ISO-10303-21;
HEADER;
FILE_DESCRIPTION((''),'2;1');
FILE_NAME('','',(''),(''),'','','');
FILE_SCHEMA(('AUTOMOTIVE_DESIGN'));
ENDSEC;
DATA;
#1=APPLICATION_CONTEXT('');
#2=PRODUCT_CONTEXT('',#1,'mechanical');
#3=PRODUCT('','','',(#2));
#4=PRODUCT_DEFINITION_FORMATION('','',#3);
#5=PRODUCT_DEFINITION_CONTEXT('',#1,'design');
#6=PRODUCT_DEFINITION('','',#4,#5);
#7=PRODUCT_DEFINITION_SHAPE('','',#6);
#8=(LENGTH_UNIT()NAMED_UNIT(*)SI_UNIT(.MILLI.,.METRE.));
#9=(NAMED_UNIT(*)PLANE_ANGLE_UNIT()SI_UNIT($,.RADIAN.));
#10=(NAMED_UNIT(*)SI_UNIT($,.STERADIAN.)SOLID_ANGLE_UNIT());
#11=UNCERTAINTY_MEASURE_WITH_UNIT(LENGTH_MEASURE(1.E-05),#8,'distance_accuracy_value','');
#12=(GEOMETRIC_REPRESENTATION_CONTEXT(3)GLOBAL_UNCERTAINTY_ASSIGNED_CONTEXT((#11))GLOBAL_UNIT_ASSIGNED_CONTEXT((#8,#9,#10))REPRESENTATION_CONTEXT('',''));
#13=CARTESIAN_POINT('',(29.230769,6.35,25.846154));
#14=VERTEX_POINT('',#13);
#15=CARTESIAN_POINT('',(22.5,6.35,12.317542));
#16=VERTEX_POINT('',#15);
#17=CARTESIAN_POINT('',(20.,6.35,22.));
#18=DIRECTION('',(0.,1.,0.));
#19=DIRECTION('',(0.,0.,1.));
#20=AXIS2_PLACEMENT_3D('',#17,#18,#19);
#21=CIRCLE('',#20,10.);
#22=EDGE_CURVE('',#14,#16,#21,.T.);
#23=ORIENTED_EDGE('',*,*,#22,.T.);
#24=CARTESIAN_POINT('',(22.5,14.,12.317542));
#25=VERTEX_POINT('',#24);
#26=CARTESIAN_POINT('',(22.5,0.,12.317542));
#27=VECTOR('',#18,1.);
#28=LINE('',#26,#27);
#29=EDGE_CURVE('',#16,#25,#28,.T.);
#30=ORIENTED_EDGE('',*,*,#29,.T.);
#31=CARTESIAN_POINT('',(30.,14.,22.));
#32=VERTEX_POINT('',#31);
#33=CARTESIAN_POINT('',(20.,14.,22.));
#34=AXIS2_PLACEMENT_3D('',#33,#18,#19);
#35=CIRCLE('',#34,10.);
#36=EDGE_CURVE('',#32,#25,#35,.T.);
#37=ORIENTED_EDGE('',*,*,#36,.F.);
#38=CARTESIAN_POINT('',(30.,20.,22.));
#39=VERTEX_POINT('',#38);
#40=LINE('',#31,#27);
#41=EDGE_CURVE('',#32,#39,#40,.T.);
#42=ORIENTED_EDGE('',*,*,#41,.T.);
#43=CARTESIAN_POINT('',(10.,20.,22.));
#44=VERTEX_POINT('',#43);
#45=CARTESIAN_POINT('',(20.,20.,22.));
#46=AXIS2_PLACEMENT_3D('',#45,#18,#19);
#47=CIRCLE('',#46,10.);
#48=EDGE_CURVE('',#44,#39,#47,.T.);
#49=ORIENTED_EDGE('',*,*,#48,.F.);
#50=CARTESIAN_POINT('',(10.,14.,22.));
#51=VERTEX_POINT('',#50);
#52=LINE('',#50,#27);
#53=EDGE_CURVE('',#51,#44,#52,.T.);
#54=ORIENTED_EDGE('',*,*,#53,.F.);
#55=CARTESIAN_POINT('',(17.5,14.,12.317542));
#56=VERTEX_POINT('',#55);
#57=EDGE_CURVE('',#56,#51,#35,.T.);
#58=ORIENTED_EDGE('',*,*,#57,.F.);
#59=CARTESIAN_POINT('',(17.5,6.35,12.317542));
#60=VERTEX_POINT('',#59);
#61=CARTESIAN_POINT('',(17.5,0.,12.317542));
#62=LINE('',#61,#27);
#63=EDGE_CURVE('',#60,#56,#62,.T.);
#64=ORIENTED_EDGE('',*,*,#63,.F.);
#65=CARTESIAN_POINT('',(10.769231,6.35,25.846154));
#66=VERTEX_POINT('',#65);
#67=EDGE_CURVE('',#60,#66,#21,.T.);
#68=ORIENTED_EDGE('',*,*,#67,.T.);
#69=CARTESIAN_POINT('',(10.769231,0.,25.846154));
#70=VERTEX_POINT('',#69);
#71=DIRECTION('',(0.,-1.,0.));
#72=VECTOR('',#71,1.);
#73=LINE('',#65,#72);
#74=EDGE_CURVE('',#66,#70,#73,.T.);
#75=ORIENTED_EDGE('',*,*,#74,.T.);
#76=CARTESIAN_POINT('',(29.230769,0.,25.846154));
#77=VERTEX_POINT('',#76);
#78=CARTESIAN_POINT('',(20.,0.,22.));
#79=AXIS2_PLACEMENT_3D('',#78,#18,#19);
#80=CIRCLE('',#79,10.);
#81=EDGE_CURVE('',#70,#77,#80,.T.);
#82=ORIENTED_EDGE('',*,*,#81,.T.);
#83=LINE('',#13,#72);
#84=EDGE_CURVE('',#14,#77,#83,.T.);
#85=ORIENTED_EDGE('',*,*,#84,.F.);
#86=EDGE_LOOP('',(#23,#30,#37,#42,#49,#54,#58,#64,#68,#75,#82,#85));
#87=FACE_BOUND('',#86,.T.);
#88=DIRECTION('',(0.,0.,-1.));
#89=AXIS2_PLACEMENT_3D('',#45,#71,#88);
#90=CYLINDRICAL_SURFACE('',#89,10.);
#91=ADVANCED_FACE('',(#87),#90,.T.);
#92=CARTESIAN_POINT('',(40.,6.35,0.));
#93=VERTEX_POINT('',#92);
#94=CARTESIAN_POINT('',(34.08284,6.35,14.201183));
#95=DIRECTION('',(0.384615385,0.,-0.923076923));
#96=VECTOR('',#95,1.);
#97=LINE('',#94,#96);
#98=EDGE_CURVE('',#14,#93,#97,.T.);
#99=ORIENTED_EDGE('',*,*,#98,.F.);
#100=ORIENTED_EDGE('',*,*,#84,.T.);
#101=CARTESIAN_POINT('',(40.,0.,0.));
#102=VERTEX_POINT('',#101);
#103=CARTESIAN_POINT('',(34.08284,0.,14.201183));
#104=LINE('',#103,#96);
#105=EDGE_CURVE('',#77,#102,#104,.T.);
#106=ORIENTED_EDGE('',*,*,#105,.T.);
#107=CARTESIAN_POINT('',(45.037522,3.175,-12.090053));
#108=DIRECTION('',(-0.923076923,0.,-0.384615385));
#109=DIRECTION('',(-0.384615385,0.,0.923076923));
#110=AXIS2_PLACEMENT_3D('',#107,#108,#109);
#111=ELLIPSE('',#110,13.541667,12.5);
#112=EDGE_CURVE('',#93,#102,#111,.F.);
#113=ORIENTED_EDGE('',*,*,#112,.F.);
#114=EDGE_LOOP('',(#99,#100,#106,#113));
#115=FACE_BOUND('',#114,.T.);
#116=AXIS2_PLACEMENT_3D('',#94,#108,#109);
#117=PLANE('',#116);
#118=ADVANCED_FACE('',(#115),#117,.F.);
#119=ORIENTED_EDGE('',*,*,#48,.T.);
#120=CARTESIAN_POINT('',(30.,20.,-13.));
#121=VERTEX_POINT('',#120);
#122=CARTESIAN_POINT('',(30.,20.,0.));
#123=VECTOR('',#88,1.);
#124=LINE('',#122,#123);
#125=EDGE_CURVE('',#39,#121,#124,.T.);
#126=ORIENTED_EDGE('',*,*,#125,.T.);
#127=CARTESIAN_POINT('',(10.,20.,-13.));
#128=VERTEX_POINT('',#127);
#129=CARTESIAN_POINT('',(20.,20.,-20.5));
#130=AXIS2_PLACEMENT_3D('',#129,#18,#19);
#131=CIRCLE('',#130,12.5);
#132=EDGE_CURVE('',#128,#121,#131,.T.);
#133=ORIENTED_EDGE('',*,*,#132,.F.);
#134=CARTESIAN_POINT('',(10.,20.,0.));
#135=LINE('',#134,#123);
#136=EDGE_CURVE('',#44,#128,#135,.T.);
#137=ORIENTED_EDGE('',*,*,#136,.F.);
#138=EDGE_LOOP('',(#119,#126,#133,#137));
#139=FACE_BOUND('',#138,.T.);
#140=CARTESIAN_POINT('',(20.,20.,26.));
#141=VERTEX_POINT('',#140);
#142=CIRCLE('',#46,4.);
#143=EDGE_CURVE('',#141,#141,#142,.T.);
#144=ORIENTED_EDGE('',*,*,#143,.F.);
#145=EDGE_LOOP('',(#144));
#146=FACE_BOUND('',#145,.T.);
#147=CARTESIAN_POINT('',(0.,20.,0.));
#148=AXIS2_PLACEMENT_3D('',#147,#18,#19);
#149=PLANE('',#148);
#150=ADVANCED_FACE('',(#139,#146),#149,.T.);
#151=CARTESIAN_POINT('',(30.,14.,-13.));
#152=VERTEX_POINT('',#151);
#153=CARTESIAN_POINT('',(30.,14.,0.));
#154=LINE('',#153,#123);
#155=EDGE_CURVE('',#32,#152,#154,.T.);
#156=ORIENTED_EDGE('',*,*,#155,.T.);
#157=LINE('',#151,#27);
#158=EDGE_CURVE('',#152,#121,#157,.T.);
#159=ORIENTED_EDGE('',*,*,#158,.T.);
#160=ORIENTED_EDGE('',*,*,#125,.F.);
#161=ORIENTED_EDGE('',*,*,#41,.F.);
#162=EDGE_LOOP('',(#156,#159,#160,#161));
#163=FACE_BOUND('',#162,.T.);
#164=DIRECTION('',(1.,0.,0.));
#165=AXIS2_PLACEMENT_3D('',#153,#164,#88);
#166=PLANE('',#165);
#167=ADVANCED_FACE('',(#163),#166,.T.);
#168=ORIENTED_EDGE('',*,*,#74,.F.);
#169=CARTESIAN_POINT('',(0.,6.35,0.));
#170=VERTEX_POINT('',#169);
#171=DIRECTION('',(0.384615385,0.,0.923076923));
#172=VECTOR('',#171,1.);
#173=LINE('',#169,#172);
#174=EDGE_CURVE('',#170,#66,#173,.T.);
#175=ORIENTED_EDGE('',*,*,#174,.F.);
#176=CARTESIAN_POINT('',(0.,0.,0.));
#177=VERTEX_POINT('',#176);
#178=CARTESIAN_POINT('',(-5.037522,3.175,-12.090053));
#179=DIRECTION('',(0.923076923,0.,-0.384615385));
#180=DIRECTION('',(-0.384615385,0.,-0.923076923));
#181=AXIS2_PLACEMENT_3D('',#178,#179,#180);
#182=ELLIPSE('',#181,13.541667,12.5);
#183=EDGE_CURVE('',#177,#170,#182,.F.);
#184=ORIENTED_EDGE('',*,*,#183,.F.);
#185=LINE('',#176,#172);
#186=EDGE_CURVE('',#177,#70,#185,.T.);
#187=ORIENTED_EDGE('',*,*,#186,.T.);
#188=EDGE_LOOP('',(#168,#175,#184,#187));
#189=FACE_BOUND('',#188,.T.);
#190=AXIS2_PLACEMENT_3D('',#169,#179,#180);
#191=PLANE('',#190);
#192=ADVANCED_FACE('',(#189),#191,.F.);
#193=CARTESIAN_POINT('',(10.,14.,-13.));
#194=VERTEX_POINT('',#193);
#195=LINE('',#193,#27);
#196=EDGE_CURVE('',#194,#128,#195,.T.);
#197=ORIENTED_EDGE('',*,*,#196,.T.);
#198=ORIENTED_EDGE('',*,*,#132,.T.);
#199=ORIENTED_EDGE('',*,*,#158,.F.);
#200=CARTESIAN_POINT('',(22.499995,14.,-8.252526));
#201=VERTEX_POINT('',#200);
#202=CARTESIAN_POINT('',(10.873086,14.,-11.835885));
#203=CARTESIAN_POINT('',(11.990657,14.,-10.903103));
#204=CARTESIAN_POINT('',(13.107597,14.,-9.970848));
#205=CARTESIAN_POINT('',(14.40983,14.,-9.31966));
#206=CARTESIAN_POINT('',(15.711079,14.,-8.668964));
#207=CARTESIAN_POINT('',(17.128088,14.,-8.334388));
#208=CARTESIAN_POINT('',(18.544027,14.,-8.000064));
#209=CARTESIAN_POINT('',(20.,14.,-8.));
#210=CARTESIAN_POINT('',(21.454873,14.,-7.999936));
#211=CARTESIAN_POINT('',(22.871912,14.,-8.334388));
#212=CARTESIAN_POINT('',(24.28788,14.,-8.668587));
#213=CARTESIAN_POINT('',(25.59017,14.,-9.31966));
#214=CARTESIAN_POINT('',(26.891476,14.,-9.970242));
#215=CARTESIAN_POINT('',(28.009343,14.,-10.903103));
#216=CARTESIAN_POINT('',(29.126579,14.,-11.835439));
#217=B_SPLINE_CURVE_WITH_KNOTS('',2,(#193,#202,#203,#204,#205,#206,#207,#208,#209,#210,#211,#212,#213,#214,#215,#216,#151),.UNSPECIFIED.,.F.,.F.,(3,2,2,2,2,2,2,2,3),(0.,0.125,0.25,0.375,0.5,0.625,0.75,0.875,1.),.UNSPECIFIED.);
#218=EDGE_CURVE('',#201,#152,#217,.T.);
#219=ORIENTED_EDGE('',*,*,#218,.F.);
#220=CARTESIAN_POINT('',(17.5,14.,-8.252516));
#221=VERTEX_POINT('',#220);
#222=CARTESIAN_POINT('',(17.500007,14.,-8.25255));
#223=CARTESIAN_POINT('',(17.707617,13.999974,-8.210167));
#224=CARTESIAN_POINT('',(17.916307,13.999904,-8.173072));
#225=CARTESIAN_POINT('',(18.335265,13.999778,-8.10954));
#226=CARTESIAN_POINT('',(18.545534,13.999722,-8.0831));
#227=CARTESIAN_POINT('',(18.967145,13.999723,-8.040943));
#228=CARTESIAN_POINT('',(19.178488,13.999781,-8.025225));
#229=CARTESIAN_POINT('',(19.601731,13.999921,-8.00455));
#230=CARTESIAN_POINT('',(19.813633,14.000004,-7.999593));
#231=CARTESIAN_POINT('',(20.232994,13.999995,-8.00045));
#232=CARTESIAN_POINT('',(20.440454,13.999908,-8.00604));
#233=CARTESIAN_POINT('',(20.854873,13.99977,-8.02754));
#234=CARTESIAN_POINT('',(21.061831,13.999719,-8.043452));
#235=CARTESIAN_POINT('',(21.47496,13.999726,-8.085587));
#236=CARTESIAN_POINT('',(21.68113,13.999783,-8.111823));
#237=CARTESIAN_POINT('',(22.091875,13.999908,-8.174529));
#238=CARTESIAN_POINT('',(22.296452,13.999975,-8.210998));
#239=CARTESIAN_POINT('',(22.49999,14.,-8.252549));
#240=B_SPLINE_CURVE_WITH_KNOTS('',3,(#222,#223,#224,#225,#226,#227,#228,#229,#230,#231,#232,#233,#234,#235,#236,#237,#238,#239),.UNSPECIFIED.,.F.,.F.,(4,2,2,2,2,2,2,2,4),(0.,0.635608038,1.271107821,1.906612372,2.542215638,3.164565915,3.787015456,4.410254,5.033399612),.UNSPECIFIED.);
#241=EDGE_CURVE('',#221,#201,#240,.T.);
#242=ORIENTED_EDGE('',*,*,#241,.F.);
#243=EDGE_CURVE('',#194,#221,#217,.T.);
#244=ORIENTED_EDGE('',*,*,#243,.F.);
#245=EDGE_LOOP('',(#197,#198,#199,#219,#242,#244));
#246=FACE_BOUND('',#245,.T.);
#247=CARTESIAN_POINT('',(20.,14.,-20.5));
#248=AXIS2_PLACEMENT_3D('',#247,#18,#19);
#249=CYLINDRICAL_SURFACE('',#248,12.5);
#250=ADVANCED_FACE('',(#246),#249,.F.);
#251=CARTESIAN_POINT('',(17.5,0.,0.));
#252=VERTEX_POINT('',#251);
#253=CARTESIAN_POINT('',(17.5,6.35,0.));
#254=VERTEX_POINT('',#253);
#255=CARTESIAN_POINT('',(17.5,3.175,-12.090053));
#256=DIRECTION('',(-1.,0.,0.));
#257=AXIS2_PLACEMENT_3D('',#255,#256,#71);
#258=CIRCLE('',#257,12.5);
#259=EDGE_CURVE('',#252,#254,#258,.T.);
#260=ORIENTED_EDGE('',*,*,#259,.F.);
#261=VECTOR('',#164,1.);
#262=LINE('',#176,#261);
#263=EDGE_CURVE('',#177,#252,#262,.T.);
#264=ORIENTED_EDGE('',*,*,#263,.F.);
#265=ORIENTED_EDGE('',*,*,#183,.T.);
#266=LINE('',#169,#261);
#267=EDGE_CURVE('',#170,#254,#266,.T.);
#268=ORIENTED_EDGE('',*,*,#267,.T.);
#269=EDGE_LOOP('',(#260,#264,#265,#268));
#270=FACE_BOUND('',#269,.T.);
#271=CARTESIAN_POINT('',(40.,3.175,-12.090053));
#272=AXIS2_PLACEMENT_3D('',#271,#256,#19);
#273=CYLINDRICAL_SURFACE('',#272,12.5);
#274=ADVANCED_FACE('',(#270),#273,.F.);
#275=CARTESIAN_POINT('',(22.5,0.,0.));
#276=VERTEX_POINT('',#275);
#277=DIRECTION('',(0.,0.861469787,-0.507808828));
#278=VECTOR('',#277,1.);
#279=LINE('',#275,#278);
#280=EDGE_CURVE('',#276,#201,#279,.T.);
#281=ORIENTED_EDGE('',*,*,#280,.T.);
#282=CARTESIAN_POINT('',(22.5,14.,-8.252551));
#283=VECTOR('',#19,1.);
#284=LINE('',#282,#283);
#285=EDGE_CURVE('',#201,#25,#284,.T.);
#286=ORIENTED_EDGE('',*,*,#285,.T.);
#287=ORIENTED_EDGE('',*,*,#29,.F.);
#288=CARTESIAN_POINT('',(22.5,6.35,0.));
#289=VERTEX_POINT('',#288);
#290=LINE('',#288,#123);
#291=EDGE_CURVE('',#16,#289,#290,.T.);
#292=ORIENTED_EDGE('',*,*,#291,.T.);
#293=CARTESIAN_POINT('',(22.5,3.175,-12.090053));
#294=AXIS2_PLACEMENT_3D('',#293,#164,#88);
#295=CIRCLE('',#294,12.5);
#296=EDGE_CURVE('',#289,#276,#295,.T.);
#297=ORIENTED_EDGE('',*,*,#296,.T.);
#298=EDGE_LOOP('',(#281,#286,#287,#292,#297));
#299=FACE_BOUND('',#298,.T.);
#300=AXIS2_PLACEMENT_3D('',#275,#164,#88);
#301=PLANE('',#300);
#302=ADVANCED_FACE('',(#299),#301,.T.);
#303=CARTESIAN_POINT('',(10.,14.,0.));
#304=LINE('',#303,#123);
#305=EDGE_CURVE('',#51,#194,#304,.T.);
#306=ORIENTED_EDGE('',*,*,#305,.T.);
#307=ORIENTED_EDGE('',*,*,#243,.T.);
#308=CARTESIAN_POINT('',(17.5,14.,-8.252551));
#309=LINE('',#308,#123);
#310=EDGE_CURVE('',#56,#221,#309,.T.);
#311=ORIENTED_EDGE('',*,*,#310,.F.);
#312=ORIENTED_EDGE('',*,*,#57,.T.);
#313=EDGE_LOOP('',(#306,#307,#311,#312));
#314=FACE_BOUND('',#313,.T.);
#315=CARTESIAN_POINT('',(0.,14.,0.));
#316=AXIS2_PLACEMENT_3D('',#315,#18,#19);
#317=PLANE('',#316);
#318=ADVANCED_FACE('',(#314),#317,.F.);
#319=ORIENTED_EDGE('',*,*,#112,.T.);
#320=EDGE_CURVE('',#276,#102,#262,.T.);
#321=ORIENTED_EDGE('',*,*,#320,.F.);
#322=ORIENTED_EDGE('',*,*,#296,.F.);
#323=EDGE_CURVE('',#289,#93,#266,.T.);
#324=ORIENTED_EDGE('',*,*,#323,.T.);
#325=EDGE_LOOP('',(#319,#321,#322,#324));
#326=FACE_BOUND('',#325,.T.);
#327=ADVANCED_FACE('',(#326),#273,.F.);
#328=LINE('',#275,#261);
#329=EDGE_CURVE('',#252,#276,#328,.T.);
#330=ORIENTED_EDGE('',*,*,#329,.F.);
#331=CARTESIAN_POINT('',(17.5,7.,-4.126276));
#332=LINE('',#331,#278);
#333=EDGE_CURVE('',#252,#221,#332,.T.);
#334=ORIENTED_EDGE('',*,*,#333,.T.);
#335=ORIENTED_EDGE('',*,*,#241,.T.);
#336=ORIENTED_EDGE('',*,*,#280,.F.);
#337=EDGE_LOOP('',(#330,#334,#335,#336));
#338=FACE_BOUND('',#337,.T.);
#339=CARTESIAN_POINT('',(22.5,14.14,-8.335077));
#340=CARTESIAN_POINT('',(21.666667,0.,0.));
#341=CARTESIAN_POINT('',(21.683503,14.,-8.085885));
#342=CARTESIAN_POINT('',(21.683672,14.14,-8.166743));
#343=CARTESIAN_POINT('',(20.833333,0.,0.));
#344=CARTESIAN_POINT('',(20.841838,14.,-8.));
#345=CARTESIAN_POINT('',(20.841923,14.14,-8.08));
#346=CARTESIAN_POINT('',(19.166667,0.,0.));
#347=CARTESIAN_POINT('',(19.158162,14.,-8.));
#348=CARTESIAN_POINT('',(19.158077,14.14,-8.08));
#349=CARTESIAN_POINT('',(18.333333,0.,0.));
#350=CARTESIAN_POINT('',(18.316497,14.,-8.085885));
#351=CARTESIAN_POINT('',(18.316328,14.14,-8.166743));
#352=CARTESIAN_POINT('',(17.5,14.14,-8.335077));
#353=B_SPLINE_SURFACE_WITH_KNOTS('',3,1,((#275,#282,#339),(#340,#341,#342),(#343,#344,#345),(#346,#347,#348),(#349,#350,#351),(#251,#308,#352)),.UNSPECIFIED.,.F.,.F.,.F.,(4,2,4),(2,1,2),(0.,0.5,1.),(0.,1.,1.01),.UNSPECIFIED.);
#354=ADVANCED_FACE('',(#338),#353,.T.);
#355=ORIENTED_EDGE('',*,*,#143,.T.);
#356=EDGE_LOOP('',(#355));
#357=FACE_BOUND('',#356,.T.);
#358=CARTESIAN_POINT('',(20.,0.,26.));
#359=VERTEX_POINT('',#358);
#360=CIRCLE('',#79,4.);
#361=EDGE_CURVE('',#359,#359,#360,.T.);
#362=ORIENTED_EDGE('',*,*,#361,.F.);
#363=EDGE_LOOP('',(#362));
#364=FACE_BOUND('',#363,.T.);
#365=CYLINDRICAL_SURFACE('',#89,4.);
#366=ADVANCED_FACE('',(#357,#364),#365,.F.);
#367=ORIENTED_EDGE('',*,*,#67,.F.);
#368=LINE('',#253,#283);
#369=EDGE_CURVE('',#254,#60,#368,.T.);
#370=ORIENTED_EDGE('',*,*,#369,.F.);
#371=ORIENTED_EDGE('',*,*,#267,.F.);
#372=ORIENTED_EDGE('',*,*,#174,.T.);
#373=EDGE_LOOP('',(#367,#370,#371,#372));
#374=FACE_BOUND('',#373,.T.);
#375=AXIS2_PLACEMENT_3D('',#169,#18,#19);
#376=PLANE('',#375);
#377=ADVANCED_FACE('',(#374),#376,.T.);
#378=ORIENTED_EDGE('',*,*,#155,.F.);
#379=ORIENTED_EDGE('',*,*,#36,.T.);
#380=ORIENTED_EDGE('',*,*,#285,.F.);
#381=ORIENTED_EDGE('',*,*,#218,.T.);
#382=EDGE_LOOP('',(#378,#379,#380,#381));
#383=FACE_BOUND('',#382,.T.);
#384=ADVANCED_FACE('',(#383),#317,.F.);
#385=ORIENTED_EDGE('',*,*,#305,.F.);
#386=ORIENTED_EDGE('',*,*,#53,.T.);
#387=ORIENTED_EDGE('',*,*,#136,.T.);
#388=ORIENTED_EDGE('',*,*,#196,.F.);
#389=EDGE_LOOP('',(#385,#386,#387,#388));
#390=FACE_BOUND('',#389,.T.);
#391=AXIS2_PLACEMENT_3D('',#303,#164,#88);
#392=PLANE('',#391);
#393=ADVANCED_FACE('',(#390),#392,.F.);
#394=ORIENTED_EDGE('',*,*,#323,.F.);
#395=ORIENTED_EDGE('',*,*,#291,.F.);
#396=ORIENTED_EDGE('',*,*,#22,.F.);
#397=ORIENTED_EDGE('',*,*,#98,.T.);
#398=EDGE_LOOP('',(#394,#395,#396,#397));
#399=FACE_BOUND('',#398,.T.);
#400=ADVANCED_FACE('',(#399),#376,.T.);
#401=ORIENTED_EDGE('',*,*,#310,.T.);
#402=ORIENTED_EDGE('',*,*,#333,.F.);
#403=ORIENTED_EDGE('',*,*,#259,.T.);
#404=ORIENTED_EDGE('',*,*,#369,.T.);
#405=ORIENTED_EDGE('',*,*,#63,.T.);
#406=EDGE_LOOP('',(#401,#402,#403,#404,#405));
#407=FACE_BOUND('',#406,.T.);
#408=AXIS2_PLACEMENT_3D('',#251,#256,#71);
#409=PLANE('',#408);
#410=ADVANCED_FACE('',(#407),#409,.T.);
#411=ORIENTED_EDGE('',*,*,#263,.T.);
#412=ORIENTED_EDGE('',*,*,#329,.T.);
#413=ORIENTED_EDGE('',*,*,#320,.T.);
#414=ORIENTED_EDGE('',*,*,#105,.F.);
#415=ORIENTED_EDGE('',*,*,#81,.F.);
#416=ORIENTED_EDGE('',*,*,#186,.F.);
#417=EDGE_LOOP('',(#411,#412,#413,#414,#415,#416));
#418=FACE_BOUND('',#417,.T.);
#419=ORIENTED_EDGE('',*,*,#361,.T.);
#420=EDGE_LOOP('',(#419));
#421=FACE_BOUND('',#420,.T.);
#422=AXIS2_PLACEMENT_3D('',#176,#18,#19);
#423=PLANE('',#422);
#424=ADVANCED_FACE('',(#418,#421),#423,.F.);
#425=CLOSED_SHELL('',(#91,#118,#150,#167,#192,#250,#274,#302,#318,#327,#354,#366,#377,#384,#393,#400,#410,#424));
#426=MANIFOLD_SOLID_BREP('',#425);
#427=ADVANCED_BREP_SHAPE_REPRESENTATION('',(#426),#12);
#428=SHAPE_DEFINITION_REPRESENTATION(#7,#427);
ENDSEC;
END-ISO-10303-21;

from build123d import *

# Parameters (mm, degrees)
BOSS_EXTRUDE1_DEPTH = 6.35
SKETCH1_3_R         = 4
BOSS_EXTRUDE2_DEPTH = 20
SKETCH2_R           = 12.5
CUT_EXTRUDE1_DEPTH  = 55.990908339
BOSS_EXTRUDE3_START = -6
BOSS_EXTRUDE3_DEPTH = 6


with BuildPart() as part:
    # Sketch1 → Boss-Extrude1 (new body)
    with BuildSketch(Plane(origin=(0, 0, 0), x_dir=(1, 0, 0), z_dir=(0, 1, 0))):
        with BuildLine():
            Line((40, 0), (0, 0))
            Line((0, 0), (10.769230769, -25.846153846))
            ThreePointArc((10.769230769, -25.846153846), (18.038838649, -12.194193243), (30, -22))
            ThreePointArc((30, -22), (29.805806757, -23.961161351), (29.230769231, -25.846153846))
            Line((29.230769231, -25.846153846), (40, 0))
        make_face()
    extrude(amount=BOSS_EXTRUDE1_DEPTH)

    # Sketch1<3> → Boss-Extrude2 (add)
    with BuildSketch(Plane(origin=(0, 0, 0), x_dir=(1, 0, 0), z_dir=(0, 1, 0))):
        with BuildLine():
            ThreePointArc((30, -22), (18.038838649, -12.194193243), (10.769230769, -25.846153846))
            ThreePointArc((10.769230769, -25.846153846), (20, -32), (29.230769231, -25.846153846))
            ThreePointArc((29.230769231, -25.846153846), (29.805806757, -23.961161351), (30, -22))
        make_face()
        with Locations((20, -22)):
            Circle(SKETCH1_3_R, mode=Mode.SUBTRACT)
    extrude(amount=BOSS_EXTRUDE2_DEPTH)

    # Sketch2 → Cut-Extrude1 (cut, through all)
    with BuildSketch(Plane(origin=(0, 0, 0), x_dir=(0, 0, -1), z_dir=(1, 0, 0))):
        with Locations((12.090052729, 3.175)):
            Circle(SKETCH2_R)
    extrude(amount=CUT_EXTRUDE1_DEPTH, mode=Mode.SUBTRACT)

    # Sketch3 → Boss-Extrude3 (add)
    with BuildSketch(Plane(origin=(0, 20, 0), x_dir=(1, 0, 0), z_dir=(0, 1, 0)).offset(BOSS_EXTRUDE3_START)):
        with BuildLine():
            Line((10, 13), (10, -22))
            ThreePointArc((10, -22), (20, -12), (30, -22))
            Line((30, -22), (30, 13))
            ThreePointArc((30, 13), (20, 8), (10, 13))
        make_face()
    extrude(amount=BOSS_EXTRUDE3_DEPTH)

    # Sketch5 for Loft1 → Loft1 section 0
    with BuildSketch(Plane.XZ):
        with BuildLine():
            Line((22.5, 0), (17.5, 0))
            Line((17.5, 0), (17.5, 12.317541634))
            # circular arc as an exact rational Bezier (weights 1, cos(half-angle), 1)
            Bezier((17.5, 12.317541634), (20, 11.67204441), (22.5, 12.317541634), weights=[1, 0.968245837, 1])
            Line((22.5, 12.317541634), (22.5, 0))
        make_face()
    # Sketch4 for Loft1 → Loft1 section 1
    with BuildSketch(Plane.XZ.offset(-14)):
        with BuildLine():
            Line((17.5, -8.252551286), (17.5, 12.317541634))
            Bezier((17.5, 12.317541634), (20, 11.67204441), (22.5, 12.317541634), weights=[1, 0.968245837, 1])
            Line((22.5, 12.317541634), (22.5, -8.252551286))
            Bezier((22.5, -8.252551286), (20, -7.742240923), (17.5, -8.252551286), weights=[1, 0.979795897, 1])
        make_face()
    loft()


solid = part.part
